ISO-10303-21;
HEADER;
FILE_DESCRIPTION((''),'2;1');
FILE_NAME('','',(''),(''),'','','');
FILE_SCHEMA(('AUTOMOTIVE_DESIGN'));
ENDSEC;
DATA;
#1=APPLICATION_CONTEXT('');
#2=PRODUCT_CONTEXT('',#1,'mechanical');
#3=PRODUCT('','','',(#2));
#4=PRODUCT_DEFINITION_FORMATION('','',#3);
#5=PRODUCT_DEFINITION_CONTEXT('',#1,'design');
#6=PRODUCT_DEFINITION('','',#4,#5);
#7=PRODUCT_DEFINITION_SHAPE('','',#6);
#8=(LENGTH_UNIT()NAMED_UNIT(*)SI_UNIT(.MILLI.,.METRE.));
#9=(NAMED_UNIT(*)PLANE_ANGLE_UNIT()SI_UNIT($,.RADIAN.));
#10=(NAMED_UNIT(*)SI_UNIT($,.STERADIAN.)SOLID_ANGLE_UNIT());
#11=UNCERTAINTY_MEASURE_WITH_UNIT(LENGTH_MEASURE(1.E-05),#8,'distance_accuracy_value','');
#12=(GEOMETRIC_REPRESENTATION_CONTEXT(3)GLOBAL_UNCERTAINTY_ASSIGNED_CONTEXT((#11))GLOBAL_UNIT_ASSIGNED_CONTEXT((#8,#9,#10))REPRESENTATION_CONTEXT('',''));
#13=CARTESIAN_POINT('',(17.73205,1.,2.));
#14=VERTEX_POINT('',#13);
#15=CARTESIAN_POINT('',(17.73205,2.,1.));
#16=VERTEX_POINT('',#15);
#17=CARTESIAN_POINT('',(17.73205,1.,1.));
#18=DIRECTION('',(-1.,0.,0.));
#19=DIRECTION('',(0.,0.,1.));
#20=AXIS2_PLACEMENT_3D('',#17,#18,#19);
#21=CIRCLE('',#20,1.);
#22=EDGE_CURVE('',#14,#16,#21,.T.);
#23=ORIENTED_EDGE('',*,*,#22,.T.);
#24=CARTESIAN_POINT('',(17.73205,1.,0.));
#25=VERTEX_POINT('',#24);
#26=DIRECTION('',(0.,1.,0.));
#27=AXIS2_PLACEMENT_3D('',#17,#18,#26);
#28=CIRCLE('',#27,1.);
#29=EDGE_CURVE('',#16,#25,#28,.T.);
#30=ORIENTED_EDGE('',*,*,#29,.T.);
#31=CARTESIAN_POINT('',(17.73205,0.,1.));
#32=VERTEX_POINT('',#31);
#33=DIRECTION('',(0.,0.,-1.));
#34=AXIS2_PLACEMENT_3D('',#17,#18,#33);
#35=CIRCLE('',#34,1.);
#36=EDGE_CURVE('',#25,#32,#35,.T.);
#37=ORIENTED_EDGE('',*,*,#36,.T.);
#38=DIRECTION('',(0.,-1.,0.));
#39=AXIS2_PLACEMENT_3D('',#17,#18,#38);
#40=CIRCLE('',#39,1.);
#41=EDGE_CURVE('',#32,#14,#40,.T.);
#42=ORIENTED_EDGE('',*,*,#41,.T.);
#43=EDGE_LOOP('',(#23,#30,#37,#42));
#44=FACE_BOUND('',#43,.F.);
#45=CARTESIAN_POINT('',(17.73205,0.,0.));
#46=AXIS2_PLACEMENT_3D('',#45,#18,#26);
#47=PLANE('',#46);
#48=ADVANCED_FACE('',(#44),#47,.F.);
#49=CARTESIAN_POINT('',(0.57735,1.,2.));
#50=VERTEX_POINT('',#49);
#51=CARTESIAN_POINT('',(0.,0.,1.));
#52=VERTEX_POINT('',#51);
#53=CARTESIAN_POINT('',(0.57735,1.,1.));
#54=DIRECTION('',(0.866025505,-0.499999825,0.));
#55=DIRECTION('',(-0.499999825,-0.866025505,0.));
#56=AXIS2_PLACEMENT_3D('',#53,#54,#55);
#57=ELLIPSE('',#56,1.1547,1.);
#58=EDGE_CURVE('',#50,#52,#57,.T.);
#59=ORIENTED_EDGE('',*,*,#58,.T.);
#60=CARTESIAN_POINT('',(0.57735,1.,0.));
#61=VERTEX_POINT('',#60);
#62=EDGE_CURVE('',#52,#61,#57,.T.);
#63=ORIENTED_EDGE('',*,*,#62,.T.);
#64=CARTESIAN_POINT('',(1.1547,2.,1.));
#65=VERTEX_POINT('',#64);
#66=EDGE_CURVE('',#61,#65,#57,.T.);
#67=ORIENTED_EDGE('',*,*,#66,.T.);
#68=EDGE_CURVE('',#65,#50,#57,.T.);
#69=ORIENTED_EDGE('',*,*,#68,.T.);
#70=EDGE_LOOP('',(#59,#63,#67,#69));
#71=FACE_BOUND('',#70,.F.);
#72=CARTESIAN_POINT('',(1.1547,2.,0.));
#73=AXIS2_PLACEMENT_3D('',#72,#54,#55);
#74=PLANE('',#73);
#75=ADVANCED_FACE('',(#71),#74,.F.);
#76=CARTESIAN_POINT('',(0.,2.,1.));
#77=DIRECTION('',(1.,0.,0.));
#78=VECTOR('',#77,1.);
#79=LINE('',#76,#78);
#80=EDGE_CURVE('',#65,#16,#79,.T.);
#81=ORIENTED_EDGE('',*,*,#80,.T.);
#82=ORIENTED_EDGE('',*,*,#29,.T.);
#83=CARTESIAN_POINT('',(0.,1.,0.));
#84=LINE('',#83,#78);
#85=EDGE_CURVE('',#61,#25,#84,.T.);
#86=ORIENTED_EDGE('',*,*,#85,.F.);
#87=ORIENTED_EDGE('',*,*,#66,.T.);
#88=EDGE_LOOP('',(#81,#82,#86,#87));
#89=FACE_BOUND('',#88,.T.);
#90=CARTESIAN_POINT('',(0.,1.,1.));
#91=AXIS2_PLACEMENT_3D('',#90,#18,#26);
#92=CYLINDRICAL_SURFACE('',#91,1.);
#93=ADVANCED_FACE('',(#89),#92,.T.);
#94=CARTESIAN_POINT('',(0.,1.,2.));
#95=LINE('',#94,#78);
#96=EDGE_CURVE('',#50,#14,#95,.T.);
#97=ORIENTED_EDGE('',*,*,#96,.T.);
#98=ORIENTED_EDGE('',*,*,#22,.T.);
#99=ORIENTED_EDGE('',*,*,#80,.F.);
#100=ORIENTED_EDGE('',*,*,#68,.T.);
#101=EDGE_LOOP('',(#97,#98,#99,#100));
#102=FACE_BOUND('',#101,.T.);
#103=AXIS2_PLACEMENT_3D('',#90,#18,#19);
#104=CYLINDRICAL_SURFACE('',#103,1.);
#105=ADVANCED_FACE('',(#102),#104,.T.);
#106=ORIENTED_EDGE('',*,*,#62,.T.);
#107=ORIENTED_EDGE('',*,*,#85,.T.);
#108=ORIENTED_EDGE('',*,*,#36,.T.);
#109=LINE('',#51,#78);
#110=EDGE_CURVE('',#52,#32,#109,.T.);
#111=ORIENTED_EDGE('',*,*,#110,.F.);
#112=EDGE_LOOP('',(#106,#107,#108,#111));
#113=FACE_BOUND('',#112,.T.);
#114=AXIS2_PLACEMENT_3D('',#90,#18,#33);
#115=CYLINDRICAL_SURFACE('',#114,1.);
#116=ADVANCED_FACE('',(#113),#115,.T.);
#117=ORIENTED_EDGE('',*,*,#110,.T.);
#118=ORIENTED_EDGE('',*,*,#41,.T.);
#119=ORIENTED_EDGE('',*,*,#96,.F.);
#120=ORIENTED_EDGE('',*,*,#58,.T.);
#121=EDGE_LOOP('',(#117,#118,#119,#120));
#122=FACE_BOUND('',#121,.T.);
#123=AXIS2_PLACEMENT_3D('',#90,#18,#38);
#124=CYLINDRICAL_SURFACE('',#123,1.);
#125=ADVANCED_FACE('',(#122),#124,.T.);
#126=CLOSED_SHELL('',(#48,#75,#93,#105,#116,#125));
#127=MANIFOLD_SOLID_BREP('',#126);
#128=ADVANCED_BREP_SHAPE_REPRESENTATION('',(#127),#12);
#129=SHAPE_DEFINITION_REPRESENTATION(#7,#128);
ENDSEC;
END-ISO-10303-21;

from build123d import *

# Parameters (mm, degrees)
F2_DEPTH = 2
F3_DEPTH = 25


with BuildPart() as f2:
    # F0 (on Top) → F2 (new body)
    with BuildSketch(Plane.XY):
        Polygon((1.1547, 2), (0, 0), (11.73205, 0), (17.73205, 0), (17.73205, 2), (11.73205, 2), align=None)
    extrude(amount=F2_DEPTH)

    # F1 (on Right) → F3 (cut)
    with BuildSketch(Plane.YZ):
        with BuildLine():
            ThreePointArc((2, 1), (1.7071067812, 0.2928932188), (1, 0))
            Line((1, 0), (2, 0))
            Line((2, 0), (2, 1))
        make_face()
        with BuildLine():
            Line((2, 2), (1, 2))
            ThreePointArc((1, 2), (1.7071067812, 1.7071067812), (2, 1))
            Line((2, 1), (2, 2))
        make_face()
        with BuildLine():
            Line((0, 2), (0, 1))
            ThreePointArc((0, 1), (0.2928932188, 1.7071067812), (1, 2))
            Line((1, 2), (0, 2))
        make_face()
        with BuildLine():
            Line((0, 1), (0, 0))
            Line((0, 0), (1, 0))
            ThreePointArc((1, 0), (0.2928932188, 0.2928932188), (0, 1))
        make_face()
    extrude(amount=F3_DEPTH, mode=Mode.SUBTRACT)


solid = f2.part
